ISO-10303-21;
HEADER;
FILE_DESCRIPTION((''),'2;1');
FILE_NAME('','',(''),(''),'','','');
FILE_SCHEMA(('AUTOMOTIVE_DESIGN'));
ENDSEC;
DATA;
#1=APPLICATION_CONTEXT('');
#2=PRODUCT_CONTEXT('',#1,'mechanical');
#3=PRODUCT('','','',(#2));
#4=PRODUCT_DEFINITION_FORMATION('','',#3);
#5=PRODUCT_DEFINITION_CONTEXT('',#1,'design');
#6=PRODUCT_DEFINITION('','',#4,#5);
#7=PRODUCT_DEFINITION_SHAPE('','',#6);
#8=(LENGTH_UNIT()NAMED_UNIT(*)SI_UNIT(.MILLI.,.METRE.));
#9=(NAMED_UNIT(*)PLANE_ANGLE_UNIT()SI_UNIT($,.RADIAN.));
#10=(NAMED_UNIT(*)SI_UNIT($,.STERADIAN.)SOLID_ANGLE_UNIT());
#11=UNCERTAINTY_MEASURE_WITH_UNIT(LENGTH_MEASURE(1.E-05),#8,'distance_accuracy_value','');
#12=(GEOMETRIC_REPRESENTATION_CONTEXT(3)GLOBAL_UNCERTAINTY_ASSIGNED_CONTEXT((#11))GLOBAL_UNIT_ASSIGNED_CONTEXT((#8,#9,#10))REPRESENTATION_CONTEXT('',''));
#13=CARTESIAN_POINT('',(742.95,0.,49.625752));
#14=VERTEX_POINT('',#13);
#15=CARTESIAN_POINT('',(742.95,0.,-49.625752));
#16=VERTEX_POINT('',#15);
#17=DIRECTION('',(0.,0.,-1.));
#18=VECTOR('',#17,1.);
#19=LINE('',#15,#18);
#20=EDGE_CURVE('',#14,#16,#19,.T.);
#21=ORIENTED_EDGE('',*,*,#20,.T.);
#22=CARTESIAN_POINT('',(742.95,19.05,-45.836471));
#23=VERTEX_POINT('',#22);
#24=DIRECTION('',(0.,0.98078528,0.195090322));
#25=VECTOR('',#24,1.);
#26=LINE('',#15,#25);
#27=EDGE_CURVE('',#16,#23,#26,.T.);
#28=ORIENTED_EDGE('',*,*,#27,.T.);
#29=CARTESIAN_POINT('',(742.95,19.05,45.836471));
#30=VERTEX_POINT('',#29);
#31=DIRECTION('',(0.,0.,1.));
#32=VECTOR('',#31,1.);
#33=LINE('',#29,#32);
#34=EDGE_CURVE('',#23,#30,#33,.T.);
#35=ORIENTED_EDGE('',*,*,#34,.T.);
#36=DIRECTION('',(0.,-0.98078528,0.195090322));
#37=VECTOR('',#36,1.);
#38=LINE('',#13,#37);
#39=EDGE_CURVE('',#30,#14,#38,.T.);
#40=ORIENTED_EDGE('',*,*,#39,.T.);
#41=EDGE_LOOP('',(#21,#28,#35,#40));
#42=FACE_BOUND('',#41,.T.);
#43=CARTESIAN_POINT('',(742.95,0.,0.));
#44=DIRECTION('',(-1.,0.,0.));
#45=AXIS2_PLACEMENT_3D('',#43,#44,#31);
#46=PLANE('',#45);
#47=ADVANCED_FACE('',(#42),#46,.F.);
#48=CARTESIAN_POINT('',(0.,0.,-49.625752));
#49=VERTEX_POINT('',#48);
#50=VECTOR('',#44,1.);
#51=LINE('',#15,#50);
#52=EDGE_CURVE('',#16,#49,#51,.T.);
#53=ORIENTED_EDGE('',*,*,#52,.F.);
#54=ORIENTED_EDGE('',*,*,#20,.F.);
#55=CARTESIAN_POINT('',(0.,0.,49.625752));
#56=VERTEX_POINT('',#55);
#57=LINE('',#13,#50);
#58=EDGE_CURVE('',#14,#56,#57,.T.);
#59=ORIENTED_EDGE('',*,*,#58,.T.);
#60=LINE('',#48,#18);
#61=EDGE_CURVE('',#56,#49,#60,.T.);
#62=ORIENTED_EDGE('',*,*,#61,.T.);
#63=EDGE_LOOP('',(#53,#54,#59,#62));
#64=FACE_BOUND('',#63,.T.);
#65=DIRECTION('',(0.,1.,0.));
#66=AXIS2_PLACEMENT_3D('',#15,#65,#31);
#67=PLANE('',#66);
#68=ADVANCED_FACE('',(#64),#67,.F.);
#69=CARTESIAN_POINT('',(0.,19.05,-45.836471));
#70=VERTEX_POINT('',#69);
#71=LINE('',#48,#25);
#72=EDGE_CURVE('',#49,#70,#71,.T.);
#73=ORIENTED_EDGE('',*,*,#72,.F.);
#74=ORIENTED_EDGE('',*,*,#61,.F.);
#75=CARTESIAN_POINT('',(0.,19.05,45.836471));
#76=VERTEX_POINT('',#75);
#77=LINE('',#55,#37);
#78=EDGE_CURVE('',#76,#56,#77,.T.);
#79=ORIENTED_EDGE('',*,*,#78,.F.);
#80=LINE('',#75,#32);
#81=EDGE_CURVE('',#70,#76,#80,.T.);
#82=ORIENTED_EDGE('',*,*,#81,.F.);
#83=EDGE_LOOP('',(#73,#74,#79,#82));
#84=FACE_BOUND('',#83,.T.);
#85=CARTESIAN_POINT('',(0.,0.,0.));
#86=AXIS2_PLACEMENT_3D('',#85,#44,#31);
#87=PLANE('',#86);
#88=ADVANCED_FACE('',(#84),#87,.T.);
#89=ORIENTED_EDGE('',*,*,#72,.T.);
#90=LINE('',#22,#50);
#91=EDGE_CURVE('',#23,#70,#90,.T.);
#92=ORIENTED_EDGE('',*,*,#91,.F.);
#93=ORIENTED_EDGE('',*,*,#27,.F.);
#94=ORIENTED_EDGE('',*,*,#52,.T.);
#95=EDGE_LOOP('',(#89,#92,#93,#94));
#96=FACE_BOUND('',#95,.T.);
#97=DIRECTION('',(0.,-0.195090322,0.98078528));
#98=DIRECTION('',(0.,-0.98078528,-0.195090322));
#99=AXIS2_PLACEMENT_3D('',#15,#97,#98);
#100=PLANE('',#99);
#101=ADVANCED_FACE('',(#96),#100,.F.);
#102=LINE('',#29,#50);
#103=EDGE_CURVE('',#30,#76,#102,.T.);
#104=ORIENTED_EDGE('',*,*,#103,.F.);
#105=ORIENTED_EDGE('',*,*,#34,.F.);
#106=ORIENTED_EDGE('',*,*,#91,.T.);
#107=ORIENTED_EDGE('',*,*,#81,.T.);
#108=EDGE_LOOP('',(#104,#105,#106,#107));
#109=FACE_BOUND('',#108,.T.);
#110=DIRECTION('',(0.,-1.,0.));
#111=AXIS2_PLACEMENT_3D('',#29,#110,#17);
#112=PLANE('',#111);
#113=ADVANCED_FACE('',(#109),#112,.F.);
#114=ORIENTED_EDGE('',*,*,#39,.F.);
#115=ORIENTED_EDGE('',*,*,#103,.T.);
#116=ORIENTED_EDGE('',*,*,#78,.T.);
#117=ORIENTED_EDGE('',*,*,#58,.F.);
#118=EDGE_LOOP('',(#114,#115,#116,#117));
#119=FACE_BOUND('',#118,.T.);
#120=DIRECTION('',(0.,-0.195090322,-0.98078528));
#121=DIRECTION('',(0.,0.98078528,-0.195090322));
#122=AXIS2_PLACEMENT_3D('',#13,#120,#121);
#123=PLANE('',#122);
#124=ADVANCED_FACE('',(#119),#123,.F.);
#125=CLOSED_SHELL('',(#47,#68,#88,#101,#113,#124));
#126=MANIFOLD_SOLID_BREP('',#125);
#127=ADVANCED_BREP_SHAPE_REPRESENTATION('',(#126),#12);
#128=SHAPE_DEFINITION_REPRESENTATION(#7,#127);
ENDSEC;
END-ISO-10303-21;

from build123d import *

# Parameters (mm, degrees)
CUT_TO_LENGTH_DEPTH = 742.95


with BuildPart() as part:
    # Sketch1 → Cut To Length (new body)
    with BuildSketch(Plane(origin=(0, 0, 0), x_dir=(0, 0, -1), z_dir=(1, 0, 0))):
        Polygon((49.625751756, 0), (-49.625751756, 0), (-45.836471158, 19.05), (45.836471158, 19.05), align=None)
    extrude(amount=CUT_TO_LENGTH_DEPTH)


solid = part.part
